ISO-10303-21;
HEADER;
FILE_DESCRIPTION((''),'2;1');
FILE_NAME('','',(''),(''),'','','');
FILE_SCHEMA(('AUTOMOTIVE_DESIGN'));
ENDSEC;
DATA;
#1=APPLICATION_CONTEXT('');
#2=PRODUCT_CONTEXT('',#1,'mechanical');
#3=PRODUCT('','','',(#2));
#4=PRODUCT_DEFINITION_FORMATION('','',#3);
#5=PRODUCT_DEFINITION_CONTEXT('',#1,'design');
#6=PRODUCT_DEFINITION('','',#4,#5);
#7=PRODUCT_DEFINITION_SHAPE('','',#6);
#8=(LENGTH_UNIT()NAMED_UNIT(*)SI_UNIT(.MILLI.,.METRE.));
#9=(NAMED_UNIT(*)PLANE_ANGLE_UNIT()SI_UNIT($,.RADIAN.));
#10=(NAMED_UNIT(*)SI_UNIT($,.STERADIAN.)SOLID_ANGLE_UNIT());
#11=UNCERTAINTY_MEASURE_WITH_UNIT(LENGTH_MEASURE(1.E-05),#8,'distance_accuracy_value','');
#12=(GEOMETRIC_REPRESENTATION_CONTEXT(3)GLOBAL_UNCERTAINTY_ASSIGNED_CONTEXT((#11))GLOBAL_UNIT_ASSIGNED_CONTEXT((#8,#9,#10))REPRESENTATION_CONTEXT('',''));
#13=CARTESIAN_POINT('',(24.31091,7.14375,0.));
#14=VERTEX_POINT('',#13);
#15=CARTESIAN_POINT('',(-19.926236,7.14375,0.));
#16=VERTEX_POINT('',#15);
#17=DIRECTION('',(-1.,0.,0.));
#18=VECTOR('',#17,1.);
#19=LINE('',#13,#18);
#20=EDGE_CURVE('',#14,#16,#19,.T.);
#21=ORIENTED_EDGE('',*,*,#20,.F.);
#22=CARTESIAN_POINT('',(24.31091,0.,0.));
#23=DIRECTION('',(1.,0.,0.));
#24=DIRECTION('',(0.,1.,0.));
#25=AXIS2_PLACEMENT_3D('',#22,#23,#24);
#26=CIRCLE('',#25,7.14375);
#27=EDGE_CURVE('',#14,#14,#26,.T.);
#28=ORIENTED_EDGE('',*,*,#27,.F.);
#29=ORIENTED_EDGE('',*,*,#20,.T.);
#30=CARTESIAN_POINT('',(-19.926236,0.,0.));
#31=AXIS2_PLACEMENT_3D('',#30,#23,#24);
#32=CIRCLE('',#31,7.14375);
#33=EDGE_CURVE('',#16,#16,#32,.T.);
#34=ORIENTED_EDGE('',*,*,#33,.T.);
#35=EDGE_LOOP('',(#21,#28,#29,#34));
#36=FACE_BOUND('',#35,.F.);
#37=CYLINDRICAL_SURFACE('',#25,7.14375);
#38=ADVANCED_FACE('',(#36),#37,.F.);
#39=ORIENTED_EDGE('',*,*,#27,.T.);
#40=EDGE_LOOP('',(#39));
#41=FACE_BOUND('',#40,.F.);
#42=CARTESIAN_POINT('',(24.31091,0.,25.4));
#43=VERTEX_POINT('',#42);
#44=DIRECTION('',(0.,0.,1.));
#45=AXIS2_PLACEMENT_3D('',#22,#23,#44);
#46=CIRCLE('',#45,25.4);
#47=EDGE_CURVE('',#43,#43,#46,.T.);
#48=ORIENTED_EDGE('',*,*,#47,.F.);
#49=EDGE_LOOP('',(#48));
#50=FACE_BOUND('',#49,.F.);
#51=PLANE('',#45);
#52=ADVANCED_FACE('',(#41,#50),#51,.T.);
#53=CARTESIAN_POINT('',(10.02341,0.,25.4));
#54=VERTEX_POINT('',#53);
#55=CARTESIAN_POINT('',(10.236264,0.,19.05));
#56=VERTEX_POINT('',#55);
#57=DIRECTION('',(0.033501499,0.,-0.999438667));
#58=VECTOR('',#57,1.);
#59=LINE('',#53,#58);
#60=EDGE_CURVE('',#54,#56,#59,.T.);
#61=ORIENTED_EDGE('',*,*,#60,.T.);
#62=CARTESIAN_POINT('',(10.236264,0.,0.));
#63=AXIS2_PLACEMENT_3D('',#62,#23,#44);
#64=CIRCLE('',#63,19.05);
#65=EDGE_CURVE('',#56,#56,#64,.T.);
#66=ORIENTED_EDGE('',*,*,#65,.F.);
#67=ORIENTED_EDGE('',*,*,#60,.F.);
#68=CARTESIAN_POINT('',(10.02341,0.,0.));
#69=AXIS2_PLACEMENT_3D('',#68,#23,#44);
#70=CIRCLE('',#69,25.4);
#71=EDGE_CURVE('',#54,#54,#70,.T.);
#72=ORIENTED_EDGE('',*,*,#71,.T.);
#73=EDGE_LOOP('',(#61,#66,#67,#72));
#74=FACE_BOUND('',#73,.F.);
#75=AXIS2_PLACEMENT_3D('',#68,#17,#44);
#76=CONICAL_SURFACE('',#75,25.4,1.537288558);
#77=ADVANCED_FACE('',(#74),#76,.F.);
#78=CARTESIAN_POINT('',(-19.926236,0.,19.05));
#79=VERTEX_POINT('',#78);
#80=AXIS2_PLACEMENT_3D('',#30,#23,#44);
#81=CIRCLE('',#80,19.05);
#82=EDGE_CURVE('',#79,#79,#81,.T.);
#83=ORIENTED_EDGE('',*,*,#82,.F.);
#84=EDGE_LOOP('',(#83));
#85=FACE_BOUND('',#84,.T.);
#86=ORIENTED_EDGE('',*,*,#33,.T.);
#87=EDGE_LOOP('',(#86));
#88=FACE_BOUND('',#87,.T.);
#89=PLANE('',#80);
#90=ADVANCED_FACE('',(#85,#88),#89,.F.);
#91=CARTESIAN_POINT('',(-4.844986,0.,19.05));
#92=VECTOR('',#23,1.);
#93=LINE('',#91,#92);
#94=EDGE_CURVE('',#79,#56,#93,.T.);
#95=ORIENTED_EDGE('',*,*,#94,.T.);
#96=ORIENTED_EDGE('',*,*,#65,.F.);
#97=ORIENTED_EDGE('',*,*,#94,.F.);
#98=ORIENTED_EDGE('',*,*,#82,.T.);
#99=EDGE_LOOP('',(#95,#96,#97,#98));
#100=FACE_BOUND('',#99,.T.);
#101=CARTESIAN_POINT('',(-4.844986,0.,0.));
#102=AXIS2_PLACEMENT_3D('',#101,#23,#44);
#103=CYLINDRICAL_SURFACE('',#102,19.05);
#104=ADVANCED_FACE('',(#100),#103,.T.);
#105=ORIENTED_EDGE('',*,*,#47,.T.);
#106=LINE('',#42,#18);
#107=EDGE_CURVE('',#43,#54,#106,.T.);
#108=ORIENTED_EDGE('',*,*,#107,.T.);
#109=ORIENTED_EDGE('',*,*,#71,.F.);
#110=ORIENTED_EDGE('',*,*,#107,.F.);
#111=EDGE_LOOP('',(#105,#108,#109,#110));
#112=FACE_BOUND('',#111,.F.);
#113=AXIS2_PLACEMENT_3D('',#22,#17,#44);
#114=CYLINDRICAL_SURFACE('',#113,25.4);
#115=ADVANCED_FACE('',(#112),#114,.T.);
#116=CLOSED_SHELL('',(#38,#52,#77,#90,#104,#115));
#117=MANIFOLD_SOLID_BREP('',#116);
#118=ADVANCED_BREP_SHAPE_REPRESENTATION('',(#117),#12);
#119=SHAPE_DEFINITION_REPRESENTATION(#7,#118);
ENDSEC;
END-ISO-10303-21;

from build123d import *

# Parameters (mm, degrees)
F0_W     = 30.1625
F0_H     = 19.05
F2_R     = 7.14375
F3_DEPTH = 44.238145


with BuildPart() as f1:
    # F0 (on Front) → F1 (revolve)
    with BuildSketch(Plane.XZ):
        with Locations((-4.844986, 9.525)):
            Rectangle(F0_W, F0_H)
        Polygon((10.236264, 19.05), (10.236264, 0), (24.31091, 0), (24.31091, 25.4), (10.02341, 25.4), align=None)
    revolve(axis=Axis((2.192337, 0, 0), (1, 0, 0)))

    # F2 (on face) → F3 (cut, through all)
    with BuildSketch(Plane.YZ.offset(24.31091)):
        Circle(F2_R)
    extrude(amount=-F3_DEPTH, mode=Mode.SUBTRACT)


solid = f1.part
